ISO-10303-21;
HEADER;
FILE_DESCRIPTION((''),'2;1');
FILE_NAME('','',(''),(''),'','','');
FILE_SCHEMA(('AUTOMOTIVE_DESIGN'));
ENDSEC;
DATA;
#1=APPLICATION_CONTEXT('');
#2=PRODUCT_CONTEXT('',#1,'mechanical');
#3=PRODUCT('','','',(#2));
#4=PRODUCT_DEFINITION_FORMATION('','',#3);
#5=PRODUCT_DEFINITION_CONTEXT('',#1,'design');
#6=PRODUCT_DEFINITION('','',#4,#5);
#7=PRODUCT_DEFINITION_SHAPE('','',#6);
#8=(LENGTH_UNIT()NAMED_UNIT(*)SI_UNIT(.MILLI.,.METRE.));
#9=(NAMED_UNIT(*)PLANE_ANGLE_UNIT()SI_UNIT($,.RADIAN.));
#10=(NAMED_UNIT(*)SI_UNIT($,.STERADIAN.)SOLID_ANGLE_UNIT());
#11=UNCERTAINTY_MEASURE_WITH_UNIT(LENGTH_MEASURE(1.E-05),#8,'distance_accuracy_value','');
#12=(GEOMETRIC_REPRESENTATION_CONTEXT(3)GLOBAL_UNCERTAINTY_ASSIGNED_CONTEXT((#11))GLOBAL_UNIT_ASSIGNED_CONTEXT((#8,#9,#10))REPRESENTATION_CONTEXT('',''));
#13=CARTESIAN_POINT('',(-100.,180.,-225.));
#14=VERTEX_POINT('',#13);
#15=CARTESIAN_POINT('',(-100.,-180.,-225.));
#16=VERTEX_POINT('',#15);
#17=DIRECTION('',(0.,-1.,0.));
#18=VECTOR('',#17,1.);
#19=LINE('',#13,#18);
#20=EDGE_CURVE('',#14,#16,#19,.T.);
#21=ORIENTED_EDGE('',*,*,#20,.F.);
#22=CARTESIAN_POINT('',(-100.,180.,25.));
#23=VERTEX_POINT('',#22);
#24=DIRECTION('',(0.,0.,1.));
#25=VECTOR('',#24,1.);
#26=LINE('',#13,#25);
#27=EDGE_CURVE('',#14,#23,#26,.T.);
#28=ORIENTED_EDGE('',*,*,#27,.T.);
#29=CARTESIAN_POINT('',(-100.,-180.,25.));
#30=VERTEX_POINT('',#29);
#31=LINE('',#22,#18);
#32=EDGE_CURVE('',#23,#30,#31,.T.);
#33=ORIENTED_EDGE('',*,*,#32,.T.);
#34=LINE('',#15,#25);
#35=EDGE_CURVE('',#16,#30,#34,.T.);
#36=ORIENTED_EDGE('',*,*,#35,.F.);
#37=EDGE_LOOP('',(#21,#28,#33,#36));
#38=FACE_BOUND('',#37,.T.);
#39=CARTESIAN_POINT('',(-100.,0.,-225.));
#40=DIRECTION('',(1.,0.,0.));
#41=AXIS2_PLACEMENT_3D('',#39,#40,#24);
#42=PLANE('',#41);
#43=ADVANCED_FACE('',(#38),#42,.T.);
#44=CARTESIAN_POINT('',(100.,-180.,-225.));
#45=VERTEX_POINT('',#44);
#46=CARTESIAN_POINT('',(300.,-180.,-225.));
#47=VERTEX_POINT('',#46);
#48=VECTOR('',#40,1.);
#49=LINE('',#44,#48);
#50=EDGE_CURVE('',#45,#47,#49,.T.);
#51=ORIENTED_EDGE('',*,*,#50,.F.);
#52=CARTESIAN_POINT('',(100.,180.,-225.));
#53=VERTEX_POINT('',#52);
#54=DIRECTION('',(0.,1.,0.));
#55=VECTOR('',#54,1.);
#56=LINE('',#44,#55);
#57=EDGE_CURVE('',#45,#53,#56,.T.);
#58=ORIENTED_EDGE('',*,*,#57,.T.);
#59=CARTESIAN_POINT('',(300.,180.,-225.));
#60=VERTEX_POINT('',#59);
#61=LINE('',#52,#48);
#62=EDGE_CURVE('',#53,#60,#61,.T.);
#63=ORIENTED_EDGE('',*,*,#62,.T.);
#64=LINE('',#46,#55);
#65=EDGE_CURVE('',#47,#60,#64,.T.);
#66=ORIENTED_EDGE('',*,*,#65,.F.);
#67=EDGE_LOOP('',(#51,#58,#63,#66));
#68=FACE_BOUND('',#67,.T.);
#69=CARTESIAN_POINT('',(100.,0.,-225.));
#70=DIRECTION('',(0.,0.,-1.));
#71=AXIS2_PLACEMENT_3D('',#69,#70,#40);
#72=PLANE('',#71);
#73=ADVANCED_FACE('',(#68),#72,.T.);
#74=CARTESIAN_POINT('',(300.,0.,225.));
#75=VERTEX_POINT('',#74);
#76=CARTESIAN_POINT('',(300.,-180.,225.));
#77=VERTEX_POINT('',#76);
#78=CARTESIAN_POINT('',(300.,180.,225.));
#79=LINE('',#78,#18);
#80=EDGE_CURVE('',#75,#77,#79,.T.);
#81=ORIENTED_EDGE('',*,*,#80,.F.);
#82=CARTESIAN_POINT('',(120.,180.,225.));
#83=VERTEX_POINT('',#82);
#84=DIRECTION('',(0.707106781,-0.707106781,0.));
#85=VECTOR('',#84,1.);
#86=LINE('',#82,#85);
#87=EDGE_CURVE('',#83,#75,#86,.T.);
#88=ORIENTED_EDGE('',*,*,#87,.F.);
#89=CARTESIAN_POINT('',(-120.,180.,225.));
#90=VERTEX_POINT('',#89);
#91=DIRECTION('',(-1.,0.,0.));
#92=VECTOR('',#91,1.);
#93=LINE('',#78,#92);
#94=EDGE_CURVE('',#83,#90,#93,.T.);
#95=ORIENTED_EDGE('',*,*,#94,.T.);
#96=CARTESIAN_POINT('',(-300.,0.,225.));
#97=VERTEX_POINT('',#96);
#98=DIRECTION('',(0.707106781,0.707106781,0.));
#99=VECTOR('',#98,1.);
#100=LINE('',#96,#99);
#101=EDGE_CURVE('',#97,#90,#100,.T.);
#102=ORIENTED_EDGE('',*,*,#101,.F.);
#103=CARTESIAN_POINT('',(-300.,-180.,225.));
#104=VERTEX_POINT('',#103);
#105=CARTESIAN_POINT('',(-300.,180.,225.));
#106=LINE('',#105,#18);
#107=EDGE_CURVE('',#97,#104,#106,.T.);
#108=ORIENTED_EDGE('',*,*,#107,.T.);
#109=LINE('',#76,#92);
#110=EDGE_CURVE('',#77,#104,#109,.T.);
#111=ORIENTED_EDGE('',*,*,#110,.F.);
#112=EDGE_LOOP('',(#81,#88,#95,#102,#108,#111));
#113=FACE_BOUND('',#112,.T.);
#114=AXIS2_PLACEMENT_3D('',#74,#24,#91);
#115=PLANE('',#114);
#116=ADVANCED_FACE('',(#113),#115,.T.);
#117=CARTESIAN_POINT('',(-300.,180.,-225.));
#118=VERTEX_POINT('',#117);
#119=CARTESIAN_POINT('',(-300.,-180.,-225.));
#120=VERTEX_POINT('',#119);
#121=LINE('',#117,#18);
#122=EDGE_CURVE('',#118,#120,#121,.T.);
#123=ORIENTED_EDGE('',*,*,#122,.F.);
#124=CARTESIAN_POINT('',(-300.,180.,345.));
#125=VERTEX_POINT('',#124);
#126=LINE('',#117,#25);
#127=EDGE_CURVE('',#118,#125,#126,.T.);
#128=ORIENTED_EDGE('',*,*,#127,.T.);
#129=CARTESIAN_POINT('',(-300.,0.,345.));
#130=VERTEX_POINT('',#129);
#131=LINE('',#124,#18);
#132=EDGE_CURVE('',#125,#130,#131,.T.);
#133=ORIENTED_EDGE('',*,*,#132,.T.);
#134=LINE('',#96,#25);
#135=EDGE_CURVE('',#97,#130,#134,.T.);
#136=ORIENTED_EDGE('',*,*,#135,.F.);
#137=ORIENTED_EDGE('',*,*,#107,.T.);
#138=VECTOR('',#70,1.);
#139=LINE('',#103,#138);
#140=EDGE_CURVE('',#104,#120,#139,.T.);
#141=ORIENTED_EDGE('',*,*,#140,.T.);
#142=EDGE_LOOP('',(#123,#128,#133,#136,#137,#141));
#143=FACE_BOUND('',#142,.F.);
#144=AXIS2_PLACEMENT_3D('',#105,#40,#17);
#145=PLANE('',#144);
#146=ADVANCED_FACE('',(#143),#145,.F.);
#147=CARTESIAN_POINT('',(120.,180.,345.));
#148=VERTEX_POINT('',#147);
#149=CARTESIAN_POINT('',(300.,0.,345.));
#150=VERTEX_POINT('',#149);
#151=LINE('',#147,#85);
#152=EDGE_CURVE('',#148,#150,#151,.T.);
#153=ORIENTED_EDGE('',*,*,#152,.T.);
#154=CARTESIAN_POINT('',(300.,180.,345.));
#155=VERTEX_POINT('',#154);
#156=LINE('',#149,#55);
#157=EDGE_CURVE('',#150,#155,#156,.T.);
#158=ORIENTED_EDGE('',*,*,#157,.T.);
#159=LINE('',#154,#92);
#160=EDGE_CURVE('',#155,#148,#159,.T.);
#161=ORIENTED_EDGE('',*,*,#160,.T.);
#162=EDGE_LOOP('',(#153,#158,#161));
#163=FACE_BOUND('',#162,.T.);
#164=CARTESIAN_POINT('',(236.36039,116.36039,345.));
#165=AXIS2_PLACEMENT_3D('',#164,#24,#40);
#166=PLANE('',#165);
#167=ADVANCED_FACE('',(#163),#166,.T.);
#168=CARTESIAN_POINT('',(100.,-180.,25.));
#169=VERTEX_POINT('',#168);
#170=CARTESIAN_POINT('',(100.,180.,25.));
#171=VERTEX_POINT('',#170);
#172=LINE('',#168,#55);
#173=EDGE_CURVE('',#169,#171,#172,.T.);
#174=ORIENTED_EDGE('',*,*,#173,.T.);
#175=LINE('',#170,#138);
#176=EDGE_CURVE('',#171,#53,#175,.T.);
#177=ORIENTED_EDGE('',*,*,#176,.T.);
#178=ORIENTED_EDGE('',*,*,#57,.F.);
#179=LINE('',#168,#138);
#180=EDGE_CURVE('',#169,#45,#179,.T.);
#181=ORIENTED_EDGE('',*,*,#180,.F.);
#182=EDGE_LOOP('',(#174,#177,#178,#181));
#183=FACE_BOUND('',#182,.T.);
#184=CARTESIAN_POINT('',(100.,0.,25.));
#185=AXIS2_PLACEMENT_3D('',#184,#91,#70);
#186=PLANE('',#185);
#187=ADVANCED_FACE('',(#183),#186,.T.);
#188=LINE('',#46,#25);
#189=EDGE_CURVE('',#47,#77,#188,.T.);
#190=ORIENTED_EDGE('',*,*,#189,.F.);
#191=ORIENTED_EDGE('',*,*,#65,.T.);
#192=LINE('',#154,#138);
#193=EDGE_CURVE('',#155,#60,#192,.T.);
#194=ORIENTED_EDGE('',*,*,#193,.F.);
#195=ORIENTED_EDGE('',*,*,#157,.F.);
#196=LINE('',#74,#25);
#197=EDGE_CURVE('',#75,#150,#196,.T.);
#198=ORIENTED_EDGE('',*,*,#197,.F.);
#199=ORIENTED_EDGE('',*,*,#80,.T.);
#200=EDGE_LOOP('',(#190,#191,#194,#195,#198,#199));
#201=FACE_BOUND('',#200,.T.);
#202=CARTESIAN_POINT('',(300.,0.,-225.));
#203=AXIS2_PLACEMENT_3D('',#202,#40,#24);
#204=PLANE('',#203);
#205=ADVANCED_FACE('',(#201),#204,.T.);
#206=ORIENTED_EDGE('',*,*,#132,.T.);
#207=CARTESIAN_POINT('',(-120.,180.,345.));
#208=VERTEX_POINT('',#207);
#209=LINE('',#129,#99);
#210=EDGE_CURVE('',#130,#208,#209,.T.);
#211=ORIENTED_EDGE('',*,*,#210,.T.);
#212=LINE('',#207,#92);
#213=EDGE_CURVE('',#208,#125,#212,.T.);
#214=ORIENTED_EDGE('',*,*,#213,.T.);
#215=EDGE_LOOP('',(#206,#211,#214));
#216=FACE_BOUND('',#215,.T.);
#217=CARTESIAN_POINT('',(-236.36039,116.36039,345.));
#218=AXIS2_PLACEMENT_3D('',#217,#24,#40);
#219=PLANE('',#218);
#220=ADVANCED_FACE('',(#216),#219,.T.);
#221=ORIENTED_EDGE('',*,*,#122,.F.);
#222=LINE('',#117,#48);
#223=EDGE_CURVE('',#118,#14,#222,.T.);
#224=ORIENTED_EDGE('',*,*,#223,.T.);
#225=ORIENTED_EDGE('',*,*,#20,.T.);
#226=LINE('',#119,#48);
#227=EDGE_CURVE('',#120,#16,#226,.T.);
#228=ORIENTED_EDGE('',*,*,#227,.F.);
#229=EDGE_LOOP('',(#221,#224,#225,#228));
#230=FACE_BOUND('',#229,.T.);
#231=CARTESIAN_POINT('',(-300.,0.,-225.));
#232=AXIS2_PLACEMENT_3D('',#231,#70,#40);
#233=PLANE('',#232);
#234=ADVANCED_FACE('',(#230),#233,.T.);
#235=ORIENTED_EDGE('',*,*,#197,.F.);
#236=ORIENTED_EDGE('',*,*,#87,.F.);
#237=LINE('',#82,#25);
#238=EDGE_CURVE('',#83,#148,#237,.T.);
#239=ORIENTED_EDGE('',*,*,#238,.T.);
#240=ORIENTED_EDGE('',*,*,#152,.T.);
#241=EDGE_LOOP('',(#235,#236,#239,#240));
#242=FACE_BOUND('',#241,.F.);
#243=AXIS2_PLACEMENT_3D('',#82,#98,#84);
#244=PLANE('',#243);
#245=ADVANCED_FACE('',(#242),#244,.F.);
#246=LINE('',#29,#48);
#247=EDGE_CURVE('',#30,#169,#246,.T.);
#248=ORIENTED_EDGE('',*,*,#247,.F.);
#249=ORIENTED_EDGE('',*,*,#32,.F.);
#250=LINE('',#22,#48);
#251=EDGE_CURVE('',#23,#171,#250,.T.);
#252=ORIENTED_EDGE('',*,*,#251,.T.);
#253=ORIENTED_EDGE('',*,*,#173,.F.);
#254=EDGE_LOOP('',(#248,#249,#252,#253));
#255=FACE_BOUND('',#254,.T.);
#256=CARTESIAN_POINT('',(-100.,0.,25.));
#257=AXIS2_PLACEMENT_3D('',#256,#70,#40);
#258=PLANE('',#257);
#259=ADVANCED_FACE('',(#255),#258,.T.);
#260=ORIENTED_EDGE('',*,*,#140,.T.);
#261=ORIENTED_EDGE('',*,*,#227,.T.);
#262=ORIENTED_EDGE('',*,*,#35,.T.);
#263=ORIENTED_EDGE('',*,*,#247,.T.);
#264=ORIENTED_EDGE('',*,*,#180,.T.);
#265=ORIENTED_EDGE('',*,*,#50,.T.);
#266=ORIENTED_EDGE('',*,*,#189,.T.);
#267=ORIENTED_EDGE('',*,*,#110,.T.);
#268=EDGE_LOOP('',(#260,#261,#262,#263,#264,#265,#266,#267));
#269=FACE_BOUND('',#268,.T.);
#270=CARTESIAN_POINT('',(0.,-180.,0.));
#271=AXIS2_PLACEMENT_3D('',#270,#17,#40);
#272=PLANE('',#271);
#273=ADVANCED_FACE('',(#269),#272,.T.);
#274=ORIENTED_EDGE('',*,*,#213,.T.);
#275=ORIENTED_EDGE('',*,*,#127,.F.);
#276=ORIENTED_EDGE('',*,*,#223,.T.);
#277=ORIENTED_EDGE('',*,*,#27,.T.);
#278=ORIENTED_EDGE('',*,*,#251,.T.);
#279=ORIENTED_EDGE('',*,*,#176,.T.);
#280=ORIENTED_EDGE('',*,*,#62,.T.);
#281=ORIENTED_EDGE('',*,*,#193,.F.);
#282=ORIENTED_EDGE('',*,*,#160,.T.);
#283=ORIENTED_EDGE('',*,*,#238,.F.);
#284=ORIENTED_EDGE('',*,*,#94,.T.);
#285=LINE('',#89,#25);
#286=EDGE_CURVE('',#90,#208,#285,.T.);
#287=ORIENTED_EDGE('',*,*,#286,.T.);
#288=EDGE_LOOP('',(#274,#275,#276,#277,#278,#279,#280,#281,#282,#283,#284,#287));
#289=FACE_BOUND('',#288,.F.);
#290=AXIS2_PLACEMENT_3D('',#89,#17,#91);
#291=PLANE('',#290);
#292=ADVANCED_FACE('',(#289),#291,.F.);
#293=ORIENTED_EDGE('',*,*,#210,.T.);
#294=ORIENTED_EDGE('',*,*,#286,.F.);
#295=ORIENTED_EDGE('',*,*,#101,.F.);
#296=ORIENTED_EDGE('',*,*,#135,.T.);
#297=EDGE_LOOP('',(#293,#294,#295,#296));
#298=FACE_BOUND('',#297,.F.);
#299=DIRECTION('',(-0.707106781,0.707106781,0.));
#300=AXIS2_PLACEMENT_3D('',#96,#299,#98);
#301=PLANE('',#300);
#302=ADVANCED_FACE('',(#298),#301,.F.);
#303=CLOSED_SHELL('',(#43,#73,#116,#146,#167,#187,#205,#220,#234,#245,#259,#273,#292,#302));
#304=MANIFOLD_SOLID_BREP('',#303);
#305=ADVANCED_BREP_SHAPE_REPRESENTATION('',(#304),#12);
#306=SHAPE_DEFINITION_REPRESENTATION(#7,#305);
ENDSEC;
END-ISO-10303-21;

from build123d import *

# Parameters (mm, degrees)
F1_DEPTH = 180
F3_DEPTH = 120


with BuildPart() as f1:
    # F0 (on Front) → F1 (new body, symmetric)
    with BuildSketch(Plane.XZ):
        Polygon((300, -225), (300, 225), (-300, 225), (-300, -225), (-100, -225), (-100, 25), (100, 25), (100, -225), align=None)
    extrude(amount=F1_DEPTH, both=True)

    # F2 (on face) → F3 (join)
    with BuildSketch(Plane.XY.offset(225)):
        Polygon((-120, 180), (-300, 180), (-300, 0), align=None)
        Polygon((300, 0), (300, 180), (120, 180), align=None)
    extrude(amount=F3_DEPTH)


solid = f1.part
